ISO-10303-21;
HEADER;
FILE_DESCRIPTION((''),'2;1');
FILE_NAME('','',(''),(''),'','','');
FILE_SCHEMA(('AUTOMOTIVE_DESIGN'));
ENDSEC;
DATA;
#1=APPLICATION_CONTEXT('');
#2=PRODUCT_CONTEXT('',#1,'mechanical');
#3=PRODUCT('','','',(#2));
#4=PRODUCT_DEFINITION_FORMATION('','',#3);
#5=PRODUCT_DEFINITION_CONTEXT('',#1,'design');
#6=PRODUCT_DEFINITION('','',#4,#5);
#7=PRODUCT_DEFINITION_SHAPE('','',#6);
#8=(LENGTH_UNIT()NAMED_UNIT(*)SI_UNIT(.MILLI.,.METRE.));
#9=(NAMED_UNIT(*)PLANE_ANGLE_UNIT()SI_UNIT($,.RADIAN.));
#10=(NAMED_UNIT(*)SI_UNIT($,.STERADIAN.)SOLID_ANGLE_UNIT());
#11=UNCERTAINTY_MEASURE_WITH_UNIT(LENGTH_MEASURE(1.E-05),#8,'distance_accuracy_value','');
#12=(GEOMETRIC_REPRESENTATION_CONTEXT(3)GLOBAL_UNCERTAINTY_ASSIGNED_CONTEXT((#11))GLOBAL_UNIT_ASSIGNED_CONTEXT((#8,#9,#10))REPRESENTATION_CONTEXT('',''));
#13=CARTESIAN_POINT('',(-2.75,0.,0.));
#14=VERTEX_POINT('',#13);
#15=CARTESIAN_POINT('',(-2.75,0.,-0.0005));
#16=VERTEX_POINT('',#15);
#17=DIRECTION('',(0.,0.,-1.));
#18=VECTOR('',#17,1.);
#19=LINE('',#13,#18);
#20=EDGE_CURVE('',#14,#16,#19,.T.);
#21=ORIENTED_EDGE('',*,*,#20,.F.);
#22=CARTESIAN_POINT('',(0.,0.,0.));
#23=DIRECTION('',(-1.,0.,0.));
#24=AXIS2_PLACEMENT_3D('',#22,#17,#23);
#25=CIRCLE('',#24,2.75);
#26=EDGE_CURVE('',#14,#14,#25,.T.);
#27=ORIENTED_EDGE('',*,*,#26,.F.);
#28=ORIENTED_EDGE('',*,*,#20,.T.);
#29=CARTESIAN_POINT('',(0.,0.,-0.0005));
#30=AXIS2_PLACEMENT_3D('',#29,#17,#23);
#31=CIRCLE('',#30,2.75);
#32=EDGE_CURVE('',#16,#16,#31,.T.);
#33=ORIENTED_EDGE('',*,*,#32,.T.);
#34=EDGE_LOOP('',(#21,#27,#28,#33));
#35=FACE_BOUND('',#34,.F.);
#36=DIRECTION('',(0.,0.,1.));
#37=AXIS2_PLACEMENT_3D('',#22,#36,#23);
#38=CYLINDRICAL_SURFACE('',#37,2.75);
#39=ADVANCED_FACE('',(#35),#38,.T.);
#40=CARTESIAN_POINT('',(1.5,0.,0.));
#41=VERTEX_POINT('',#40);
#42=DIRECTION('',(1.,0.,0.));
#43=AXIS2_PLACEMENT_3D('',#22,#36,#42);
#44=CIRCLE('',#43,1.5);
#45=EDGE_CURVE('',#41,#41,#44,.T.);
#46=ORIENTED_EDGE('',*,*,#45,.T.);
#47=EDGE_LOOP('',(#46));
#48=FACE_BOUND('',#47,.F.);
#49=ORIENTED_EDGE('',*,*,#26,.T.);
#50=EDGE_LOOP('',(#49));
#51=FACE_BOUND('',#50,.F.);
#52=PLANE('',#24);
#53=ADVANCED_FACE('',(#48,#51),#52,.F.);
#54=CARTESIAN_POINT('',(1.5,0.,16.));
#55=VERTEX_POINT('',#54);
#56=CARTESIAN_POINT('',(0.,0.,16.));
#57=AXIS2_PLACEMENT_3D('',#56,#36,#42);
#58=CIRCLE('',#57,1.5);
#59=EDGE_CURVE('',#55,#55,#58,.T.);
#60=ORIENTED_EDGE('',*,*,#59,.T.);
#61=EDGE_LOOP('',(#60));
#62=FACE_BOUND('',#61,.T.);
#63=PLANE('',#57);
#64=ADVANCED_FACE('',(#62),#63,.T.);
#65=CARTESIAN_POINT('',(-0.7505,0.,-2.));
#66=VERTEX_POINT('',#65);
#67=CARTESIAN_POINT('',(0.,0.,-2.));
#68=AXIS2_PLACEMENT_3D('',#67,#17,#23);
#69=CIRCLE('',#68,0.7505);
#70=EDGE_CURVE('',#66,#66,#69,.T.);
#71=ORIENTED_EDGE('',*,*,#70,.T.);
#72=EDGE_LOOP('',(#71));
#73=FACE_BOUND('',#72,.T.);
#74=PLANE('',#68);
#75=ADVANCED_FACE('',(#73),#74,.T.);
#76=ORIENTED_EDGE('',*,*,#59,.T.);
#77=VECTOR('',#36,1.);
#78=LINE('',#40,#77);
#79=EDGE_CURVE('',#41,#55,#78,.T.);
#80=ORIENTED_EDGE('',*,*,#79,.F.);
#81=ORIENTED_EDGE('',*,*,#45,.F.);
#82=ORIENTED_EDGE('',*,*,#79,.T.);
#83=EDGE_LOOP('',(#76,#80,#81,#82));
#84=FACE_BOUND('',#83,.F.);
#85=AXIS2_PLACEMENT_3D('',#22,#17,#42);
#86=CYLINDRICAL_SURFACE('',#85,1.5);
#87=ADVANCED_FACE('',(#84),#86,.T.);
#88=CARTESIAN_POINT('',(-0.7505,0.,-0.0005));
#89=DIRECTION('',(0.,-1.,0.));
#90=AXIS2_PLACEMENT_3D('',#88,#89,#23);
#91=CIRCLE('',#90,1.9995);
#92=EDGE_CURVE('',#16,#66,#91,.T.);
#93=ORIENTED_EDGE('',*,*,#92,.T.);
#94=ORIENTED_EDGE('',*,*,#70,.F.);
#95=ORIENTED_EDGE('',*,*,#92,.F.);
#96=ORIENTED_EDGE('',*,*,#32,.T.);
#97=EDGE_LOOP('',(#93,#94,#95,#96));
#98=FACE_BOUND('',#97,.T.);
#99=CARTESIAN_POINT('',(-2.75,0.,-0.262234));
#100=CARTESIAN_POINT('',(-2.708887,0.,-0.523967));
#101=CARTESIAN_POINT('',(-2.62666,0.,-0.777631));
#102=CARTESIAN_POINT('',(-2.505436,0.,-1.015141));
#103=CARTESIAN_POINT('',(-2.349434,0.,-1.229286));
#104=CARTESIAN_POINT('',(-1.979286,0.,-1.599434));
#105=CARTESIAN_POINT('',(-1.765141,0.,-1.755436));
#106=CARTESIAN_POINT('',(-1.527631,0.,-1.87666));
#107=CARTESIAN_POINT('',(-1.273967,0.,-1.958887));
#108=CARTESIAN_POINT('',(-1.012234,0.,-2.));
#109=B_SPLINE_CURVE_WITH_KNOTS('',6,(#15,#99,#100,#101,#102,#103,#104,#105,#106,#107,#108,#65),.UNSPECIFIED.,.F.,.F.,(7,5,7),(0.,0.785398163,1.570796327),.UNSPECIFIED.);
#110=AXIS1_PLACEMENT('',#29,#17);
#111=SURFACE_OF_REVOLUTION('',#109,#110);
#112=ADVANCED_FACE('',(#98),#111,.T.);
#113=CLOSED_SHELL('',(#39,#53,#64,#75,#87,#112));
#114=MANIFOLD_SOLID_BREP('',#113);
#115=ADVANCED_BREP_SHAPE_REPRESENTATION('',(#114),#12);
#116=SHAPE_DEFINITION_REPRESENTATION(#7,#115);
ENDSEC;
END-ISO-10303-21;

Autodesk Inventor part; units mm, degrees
ref_plane "YZ Plane" through (0, 0, 0) normal (1, 0, 0) x (0, 1, 0)
ref_plane "XZ Plane" through (0, 0, 0) normal (0, 1, 0) x (-1, 0, 0)
ref_plane "XY Plane" through (0, 0, 0) normal (0, 0, 1) x (1, 0, 0)
sketch "スケッチ1" plane through (0, 0, 0) normal (0, 0, 1) x (1, 0, 0)
  circle A0 centre (0, 0) radius 1.5
  dimension "d0" = 3
extrude "押し出し1" add sketch "スケッチ1" along normal blind 16
sketch "スケッチ2" plane through (0, 0, 0) normal (0, 0, -1) x (-1, 0, 0)
  circle A0 centre (0, 0) radius 2.75
  dimension "d3" = 5.5
extrude "押し出し2" add sketch "スケッチ2" along normal blind 2
fillet "フィレット1" radius 2 1 edges at (2.75, 0, -2)
thread "ねじ1" size "M3x0.5" class "6g" standard "ANSI Metric M Profile" full length
properties part number "ネジ鍋m3,16" material "鋼、高強度、低合金"
